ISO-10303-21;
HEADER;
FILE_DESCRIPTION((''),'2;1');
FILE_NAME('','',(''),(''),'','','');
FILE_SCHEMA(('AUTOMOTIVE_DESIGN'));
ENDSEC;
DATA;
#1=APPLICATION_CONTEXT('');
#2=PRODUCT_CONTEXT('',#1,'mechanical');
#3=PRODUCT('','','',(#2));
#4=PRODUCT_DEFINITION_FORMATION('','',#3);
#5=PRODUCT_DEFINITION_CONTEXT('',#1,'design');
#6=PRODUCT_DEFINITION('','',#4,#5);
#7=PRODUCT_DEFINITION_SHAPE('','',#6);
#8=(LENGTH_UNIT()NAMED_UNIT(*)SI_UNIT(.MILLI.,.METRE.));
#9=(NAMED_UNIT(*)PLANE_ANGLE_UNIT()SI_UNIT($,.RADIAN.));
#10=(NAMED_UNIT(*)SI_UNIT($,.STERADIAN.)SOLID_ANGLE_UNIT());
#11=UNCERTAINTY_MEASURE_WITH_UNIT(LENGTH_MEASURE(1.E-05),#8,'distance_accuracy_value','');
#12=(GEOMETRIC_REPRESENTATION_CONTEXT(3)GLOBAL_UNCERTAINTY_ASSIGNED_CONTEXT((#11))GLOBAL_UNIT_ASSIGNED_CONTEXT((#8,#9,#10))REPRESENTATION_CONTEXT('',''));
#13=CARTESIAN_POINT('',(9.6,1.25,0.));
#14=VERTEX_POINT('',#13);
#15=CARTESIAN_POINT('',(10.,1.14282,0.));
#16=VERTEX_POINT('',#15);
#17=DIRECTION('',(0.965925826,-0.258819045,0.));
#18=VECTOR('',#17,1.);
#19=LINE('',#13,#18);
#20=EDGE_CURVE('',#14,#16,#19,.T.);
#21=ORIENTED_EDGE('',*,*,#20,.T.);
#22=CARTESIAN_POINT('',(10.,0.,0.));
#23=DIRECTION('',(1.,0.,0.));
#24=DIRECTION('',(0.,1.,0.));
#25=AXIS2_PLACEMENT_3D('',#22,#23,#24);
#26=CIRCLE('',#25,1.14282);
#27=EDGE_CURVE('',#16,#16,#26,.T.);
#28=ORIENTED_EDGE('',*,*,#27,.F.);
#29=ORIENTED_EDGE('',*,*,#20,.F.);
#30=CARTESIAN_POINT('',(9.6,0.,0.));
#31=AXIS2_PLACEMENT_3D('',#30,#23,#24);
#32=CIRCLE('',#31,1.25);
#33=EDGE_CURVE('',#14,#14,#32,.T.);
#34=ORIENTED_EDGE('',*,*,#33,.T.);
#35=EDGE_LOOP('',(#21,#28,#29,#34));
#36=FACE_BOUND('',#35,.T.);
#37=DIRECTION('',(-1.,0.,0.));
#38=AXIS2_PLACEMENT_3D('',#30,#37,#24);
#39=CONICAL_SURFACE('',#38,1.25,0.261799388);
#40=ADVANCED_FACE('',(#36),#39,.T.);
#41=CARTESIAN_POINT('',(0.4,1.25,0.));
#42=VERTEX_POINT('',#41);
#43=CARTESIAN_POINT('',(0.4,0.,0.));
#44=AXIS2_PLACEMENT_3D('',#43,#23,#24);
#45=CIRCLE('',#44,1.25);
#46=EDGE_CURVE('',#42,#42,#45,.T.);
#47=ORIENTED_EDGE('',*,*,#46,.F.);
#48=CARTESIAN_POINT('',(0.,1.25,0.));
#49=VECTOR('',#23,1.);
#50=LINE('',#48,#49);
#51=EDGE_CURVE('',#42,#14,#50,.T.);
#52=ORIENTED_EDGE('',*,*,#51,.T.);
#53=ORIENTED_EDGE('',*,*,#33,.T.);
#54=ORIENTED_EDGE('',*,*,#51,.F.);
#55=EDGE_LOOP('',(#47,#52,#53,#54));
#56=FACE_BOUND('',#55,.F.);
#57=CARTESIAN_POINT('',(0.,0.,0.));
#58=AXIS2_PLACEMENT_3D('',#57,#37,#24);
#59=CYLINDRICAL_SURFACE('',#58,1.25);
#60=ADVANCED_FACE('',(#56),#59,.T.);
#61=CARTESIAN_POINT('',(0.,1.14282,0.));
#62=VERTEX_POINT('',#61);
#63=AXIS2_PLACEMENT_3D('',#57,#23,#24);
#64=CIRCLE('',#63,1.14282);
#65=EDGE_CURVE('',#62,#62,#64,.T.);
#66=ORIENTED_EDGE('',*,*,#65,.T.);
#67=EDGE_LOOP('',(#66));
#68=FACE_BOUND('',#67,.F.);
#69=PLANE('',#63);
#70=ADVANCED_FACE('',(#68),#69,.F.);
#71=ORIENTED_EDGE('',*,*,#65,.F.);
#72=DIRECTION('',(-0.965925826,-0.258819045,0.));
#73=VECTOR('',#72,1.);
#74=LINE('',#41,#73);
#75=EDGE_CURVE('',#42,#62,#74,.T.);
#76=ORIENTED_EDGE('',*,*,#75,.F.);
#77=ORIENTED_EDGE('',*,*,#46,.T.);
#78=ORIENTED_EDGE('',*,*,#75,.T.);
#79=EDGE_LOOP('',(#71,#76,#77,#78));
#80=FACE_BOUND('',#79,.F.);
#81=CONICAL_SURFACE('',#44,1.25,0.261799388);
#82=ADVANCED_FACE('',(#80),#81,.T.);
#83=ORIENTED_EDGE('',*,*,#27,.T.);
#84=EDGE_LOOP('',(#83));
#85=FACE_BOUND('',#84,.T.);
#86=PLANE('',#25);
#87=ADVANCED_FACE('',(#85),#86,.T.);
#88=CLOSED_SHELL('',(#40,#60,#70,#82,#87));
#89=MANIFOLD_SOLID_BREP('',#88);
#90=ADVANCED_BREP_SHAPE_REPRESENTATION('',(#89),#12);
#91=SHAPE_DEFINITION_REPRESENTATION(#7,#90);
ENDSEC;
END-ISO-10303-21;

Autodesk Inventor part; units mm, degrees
ref_plane "YZ Plane" through (0, 0, 0) normal (1, 0, 0) x (0, 1, 0)
ref_plane "XZ Plane" through (0, 0, 0) normal (0, 1, 0) x (-1, 0, 0)
ref_plane "XY Plane" through (0, 0, 0) normal (0, 0, 1) x (1, 0, 0)
sketch "Skizze" plane through (0, 0, 0) normal (1, 0, 0) x (0, 1, 0)
  circle A0 centre (0, 0) radius 1.25
  dimension "d1" = 2.5
extrude "Körper" add sketch "Skizze" along normal blind 10
chamfer "Fase1" distance 0.4 angle 15 1 edges at (0, -1.25, 0) measured on face at (6.6667, 1.2338, -0.2005)
chamfer "Skizze2" distance 0.4 angle 15 1 edges at (10, -1.25, 0) measured on face at (6.8, 1.2459, -0.1006)
equation "\"d1\" = NND"
equation "\"d2\" = NLG"
equation "\"d8\" = PHH"
equation "\"d9\" = FAWI"
equation "\"d12\" = PHH"
equation "\"d4\" = PHH"
equation "\"d5\" = FAWI"
equation "\"d11\" = PHH"
equation "\"NND\" = 2.5"
equation "\"NLG\" = 10"
equation "\"PHH\" = 0.4"
equation "\"FAWI\" = 15deg"
equation "\"KAH\" = 0"
properties part number "ISO 2338 - 2,5 m6 x 10" material "Edelstahl, austenitisch"
